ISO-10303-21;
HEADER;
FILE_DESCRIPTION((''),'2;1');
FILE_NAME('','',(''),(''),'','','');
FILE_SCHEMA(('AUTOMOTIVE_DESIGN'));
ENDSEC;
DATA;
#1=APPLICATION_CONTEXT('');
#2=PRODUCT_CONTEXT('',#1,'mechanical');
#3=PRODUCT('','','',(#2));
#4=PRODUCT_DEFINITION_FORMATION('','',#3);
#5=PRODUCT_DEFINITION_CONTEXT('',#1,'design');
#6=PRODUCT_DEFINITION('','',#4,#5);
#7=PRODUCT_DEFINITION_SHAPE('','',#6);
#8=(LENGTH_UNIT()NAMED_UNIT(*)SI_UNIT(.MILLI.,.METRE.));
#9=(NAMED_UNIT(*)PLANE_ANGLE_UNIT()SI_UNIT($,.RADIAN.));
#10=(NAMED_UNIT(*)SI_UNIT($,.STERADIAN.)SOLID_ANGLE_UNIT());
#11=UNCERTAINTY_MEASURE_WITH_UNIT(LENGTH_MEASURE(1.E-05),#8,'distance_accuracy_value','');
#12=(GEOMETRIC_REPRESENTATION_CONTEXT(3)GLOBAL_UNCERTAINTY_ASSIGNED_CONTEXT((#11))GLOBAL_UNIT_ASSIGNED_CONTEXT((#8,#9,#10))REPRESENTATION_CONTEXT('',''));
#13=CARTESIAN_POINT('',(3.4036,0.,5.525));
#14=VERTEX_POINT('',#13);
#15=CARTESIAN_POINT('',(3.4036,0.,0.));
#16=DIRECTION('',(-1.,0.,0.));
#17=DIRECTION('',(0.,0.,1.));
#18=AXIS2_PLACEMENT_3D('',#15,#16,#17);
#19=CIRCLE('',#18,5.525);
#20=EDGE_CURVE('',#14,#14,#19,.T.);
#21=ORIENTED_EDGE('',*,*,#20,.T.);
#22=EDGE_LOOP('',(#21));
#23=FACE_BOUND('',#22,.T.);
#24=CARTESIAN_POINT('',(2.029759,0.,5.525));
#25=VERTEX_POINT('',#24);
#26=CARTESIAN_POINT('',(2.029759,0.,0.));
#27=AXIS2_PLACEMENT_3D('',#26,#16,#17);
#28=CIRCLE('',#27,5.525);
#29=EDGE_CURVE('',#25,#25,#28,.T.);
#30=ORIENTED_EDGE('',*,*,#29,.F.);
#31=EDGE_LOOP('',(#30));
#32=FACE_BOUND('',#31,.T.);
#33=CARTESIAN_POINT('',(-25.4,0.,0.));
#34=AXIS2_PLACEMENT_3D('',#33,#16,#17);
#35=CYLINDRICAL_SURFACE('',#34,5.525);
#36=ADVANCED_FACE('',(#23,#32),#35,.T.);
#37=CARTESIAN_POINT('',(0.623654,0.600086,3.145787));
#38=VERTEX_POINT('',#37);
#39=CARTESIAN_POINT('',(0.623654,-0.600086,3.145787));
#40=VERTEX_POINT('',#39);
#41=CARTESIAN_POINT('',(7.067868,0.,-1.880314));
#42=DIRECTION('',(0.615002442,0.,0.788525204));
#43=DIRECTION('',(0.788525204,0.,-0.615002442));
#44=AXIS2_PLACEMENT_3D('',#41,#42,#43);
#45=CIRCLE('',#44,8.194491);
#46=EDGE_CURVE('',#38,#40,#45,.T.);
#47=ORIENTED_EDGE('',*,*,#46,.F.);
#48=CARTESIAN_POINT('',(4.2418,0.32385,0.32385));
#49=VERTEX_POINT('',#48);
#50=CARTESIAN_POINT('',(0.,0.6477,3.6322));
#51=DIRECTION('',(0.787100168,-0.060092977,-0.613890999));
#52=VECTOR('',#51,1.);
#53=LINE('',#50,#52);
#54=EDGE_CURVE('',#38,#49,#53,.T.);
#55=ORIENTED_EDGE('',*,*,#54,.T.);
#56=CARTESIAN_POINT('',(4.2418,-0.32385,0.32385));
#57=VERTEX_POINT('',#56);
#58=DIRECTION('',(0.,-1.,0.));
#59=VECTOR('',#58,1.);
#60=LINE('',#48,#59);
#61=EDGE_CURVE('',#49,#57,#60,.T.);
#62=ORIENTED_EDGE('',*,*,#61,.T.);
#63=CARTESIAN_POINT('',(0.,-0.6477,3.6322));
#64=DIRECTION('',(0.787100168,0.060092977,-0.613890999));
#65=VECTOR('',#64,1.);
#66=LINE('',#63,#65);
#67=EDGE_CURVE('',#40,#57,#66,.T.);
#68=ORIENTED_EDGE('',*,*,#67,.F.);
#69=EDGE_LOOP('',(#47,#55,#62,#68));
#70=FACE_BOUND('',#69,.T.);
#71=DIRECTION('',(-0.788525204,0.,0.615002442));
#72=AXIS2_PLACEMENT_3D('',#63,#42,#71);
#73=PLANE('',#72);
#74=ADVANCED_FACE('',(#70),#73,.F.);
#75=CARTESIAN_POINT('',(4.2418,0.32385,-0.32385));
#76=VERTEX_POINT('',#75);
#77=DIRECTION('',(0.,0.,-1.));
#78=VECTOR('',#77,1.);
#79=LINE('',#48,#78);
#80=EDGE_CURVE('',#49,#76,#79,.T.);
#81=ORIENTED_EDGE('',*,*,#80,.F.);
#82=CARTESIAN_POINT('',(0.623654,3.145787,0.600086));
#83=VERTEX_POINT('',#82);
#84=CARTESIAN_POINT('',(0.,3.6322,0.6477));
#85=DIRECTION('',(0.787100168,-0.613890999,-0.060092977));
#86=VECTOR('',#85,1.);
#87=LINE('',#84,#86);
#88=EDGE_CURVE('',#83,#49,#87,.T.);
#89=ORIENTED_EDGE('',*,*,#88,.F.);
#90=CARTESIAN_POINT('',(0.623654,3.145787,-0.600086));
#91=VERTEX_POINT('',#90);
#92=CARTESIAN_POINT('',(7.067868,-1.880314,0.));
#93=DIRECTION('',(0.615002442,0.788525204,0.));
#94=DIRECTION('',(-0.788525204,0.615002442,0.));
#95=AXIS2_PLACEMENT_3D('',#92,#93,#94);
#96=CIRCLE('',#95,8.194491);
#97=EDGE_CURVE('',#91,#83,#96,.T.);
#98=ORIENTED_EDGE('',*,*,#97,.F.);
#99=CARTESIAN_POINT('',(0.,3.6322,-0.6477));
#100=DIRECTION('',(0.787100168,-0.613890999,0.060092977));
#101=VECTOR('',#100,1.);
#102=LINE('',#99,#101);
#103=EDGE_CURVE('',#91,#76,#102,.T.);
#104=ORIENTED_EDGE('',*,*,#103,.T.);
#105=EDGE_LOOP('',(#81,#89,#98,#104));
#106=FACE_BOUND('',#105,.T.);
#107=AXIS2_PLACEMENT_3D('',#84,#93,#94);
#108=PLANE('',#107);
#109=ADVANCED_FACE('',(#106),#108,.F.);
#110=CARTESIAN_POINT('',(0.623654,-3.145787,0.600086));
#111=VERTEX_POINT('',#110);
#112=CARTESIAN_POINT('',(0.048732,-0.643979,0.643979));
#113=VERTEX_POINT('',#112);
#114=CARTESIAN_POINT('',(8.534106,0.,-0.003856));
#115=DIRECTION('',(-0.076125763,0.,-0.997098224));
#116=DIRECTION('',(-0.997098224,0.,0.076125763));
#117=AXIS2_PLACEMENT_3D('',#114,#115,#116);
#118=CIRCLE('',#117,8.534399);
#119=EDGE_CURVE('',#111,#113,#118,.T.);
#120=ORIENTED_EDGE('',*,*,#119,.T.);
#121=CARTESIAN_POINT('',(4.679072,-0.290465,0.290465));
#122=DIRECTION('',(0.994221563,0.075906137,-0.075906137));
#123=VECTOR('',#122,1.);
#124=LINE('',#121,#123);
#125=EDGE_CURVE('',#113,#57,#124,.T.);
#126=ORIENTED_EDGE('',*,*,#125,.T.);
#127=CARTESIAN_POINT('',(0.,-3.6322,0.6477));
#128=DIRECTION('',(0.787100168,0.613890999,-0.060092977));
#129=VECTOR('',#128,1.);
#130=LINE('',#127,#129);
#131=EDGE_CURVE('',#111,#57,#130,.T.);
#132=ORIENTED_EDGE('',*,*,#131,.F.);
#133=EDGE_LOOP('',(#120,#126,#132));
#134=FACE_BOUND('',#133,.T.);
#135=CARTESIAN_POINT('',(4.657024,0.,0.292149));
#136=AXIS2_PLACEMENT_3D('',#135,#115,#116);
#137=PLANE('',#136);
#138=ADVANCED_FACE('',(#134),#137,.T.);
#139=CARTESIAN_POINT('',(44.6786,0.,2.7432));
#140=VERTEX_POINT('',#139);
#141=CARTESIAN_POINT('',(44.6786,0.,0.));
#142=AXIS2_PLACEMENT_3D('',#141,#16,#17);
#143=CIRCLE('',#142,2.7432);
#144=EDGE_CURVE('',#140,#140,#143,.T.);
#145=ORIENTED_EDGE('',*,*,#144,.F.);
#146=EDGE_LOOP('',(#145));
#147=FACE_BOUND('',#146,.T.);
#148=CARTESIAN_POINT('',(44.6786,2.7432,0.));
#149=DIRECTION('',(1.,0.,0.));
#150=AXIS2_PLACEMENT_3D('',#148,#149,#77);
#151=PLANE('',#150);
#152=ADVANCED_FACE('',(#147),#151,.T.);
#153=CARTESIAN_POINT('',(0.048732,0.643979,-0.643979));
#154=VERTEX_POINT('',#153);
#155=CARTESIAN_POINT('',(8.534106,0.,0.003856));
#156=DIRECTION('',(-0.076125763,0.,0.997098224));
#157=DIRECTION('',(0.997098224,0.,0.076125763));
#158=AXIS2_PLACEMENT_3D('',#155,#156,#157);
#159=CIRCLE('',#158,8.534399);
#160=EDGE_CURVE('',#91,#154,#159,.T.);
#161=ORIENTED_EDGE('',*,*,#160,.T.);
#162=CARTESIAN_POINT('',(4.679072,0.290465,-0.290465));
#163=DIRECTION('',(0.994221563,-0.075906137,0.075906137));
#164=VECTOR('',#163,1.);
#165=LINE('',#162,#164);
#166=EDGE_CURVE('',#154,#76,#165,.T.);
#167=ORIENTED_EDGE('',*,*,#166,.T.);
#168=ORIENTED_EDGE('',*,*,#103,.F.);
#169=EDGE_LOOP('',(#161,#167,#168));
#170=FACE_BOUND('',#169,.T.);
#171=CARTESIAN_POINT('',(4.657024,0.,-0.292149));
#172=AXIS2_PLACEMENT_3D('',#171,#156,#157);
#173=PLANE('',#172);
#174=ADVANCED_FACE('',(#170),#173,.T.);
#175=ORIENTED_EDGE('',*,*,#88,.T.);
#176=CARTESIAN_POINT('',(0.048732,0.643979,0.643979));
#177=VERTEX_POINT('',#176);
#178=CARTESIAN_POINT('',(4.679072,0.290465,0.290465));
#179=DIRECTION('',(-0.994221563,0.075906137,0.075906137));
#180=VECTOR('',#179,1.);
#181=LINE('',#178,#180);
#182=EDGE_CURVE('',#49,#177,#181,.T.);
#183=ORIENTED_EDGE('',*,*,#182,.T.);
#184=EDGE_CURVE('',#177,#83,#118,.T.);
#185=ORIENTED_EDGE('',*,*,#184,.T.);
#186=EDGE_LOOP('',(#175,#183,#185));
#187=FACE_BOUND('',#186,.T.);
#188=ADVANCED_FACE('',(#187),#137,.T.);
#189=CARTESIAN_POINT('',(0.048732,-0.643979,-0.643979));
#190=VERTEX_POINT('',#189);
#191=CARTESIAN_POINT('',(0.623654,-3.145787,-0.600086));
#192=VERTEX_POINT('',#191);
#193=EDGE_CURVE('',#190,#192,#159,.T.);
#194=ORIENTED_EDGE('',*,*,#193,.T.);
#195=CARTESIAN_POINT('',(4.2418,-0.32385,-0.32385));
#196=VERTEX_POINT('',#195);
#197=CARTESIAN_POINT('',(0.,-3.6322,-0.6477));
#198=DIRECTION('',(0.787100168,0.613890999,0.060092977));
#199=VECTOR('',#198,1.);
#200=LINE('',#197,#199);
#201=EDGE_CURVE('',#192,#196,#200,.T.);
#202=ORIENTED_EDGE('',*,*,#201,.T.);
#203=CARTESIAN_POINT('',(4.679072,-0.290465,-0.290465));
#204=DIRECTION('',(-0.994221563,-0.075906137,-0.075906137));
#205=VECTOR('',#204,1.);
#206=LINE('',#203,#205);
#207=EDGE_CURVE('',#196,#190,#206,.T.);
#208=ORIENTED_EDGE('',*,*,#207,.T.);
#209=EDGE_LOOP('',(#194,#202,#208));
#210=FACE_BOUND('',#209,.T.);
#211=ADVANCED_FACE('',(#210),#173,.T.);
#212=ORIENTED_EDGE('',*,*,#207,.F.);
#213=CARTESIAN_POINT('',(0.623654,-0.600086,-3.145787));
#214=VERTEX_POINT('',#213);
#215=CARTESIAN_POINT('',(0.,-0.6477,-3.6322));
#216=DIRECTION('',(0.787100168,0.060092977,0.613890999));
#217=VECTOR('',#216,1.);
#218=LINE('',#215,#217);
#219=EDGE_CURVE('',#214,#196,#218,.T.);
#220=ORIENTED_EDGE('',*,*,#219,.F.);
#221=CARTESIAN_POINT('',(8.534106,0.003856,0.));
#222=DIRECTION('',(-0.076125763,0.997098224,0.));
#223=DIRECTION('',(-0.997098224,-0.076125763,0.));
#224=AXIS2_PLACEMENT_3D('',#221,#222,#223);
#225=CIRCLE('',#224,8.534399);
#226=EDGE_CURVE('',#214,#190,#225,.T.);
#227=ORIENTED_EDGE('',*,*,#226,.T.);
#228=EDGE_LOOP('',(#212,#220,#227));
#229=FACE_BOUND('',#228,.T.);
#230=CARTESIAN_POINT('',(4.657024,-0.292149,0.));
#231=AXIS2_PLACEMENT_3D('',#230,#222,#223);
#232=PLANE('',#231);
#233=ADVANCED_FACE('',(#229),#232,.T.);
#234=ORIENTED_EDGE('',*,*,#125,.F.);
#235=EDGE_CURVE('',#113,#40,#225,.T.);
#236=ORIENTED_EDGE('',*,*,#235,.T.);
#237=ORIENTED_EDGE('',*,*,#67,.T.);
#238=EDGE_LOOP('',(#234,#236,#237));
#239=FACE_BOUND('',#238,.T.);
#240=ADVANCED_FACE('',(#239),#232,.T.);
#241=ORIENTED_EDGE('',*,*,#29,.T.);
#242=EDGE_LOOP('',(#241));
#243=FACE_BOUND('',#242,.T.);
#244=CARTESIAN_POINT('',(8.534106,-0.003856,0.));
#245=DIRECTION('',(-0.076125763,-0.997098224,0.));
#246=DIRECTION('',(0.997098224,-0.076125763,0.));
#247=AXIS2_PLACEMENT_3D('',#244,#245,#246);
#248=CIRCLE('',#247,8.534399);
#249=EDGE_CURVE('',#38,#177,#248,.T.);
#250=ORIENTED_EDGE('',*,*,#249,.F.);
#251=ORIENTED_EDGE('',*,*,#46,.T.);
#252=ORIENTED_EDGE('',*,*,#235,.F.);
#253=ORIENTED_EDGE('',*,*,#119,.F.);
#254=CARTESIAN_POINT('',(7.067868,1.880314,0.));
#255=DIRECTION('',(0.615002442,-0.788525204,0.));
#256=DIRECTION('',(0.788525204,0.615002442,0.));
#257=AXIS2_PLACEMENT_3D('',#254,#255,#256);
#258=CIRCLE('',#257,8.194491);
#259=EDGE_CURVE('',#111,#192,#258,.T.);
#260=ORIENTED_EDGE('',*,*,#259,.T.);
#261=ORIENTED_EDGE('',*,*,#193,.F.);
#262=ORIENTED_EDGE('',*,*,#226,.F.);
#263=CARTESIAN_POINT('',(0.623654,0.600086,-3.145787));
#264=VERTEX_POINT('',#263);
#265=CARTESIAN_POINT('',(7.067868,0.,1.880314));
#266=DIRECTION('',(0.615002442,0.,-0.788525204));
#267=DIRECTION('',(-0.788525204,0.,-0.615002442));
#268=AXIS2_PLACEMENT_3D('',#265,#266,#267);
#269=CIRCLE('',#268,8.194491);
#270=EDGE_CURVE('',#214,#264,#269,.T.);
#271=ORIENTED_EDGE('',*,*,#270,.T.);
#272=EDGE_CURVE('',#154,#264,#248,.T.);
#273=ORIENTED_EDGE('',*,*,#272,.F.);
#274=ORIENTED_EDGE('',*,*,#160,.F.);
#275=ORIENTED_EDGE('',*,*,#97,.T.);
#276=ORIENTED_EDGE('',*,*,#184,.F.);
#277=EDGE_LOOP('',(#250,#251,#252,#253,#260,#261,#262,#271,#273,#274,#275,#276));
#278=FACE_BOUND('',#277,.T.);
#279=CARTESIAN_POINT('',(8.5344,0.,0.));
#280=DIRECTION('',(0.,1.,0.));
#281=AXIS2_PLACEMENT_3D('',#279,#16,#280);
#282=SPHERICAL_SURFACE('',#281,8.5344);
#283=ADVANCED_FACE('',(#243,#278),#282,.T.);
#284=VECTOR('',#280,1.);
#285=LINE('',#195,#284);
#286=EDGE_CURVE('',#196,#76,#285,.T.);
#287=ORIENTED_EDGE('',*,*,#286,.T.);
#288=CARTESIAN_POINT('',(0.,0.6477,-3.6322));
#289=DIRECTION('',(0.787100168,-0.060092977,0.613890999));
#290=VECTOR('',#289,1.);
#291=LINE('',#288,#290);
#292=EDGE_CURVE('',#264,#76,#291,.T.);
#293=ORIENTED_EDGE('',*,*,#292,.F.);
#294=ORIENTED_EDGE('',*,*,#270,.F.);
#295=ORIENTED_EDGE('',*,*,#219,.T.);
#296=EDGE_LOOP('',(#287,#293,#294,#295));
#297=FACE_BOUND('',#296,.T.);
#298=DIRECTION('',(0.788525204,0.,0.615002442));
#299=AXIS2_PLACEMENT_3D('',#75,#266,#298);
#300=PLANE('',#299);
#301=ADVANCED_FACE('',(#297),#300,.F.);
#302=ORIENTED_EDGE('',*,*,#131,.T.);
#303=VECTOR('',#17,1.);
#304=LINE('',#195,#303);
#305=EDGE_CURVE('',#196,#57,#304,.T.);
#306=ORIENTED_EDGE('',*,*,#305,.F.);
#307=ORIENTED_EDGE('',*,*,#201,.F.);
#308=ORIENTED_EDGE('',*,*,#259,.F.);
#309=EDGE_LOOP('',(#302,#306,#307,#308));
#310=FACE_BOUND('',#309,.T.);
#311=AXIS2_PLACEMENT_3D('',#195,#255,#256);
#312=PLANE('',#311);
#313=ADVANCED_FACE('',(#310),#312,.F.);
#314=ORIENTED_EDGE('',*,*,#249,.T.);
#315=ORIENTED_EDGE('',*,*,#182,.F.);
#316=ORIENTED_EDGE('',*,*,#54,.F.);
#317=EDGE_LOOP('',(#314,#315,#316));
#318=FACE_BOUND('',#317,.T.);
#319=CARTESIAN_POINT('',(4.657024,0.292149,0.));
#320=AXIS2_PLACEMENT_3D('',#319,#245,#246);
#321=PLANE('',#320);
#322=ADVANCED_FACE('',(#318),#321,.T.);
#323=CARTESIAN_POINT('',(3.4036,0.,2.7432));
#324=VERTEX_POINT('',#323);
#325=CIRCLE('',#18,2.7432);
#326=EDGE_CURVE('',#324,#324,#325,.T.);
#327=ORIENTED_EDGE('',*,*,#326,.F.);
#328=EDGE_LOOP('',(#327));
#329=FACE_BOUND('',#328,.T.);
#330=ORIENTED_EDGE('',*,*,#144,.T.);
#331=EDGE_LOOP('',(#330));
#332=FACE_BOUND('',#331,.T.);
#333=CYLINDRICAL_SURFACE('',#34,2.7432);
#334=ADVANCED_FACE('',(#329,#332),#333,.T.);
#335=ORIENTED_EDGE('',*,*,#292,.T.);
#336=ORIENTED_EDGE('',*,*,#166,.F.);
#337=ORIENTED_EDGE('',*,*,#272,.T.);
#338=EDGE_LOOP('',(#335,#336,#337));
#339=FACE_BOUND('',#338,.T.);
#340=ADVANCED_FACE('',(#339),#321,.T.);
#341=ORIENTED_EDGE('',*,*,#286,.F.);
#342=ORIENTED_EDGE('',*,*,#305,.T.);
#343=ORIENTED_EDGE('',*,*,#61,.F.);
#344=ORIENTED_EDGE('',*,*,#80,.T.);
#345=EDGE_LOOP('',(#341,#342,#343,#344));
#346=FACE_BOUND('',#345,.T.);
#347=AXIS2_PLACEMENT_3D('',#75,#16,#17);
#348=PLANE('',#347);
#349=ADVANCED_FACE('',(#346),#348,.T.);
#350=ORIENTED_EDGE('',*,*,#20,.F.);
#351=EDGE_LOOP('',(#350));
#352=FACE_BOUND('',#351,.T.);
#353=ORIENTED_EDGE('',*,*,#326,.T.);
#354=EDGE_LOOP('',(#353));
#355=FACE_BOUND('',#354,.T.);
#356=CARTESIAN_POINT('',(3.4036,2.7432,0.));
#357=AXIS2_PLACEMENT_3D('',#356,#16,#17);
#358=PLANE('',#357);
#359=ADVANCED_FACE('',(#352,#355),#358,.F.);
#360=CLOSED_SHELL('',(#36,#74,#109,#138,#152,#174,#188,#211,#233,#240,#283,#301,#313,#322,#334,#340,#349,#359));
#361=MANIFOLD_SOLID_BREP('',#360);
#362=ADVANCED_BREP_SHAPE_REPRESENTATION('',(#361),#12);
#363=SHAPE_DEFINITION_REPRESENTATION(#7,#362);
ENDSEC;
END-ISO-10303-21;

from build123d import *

# Parameters (mm, degrees)
CIRPATTERN1_COUNT = 2
CIRPATTERN1_ANGLE = 90


with BuildPart() as part:
    # BodySke → Base-Revolve (revolve)
    with BuildSketch(Plane.XY, mode=Mode.PRIVATE) as base_revolve_sk:
        with BuildLine():
            Line((3.4036, 2.7432), (3.4036, 5.525))
            Line((3.4036, 5.525), (2.029758706, 5.525))
            ThreePointArc((2.029758706, 5.525), (0.523495119, 2.943023335), (0, 0))
            Line((0, 0), (44.6786, 0))
            Line((44.6786, 0), (44.6786, 2.7432))
            Line((44.6786, 2.7432), (3.4036, 2.7432))
        make_face()
    revolve(base_revolve_sk.sketch.rotate(Axis((-25.4, 0, 0), (1, 0, 0)), 90), axis=Axis((-25.4, 0, 0), (1, 0, 0)))

    # Sketch3 → Cross section 0
    with BuildSketch(Plane(origin=(0, 0, 0), x_dir=(0, 0, -1), z_dir=(1, 0, 0))):
        with BuildLine():
            Line((0.6477, -3.6322), (-0.6477, -3.6322))
            Line((-0.6477, -3.6322), (-0.6477, 3.6322))
            Line((-0.6477, 3.6322), (0.6477, 3.6322))
            Line((0.6477, 3.6322), (0.6477, -3.6322))
        make_face()
    # Sketch4 → Cross section 1
    with BuildSketch(Plane(origin=(4.2418, 0, 0), x_dir=(0, 0, -1), z_dir=(1, 0, 0))):
        with BuildLine():
            Line((0.32385, -0.32385), (-0.32385, -0.32385))
            Line((-0.32385, -0.32385), (-0.32385, 0.32385))
            Line((-0.32385, 0.32385), (0.32385, 0.32385))
            Line((0.32385, 0.32385), (0.32385, -0.32385))
        make_face()
    cross = loft(mode=Mode.SUBTRACT)

    # CirPattern1: Cross ×2 about axis
    cirpattern1_axis = Axis((0, 0, 0), (1, 0, 0))
    for i in range(1, CIRPATTERN1_COUNT):
        add(cross.rotate(cirpattern1_axis, i * CIRPATTERN1_ANGLE / (CIRPATTERN1_COUNT - 1)), mode=Mode.SUBTRACT)


solid = part.part
